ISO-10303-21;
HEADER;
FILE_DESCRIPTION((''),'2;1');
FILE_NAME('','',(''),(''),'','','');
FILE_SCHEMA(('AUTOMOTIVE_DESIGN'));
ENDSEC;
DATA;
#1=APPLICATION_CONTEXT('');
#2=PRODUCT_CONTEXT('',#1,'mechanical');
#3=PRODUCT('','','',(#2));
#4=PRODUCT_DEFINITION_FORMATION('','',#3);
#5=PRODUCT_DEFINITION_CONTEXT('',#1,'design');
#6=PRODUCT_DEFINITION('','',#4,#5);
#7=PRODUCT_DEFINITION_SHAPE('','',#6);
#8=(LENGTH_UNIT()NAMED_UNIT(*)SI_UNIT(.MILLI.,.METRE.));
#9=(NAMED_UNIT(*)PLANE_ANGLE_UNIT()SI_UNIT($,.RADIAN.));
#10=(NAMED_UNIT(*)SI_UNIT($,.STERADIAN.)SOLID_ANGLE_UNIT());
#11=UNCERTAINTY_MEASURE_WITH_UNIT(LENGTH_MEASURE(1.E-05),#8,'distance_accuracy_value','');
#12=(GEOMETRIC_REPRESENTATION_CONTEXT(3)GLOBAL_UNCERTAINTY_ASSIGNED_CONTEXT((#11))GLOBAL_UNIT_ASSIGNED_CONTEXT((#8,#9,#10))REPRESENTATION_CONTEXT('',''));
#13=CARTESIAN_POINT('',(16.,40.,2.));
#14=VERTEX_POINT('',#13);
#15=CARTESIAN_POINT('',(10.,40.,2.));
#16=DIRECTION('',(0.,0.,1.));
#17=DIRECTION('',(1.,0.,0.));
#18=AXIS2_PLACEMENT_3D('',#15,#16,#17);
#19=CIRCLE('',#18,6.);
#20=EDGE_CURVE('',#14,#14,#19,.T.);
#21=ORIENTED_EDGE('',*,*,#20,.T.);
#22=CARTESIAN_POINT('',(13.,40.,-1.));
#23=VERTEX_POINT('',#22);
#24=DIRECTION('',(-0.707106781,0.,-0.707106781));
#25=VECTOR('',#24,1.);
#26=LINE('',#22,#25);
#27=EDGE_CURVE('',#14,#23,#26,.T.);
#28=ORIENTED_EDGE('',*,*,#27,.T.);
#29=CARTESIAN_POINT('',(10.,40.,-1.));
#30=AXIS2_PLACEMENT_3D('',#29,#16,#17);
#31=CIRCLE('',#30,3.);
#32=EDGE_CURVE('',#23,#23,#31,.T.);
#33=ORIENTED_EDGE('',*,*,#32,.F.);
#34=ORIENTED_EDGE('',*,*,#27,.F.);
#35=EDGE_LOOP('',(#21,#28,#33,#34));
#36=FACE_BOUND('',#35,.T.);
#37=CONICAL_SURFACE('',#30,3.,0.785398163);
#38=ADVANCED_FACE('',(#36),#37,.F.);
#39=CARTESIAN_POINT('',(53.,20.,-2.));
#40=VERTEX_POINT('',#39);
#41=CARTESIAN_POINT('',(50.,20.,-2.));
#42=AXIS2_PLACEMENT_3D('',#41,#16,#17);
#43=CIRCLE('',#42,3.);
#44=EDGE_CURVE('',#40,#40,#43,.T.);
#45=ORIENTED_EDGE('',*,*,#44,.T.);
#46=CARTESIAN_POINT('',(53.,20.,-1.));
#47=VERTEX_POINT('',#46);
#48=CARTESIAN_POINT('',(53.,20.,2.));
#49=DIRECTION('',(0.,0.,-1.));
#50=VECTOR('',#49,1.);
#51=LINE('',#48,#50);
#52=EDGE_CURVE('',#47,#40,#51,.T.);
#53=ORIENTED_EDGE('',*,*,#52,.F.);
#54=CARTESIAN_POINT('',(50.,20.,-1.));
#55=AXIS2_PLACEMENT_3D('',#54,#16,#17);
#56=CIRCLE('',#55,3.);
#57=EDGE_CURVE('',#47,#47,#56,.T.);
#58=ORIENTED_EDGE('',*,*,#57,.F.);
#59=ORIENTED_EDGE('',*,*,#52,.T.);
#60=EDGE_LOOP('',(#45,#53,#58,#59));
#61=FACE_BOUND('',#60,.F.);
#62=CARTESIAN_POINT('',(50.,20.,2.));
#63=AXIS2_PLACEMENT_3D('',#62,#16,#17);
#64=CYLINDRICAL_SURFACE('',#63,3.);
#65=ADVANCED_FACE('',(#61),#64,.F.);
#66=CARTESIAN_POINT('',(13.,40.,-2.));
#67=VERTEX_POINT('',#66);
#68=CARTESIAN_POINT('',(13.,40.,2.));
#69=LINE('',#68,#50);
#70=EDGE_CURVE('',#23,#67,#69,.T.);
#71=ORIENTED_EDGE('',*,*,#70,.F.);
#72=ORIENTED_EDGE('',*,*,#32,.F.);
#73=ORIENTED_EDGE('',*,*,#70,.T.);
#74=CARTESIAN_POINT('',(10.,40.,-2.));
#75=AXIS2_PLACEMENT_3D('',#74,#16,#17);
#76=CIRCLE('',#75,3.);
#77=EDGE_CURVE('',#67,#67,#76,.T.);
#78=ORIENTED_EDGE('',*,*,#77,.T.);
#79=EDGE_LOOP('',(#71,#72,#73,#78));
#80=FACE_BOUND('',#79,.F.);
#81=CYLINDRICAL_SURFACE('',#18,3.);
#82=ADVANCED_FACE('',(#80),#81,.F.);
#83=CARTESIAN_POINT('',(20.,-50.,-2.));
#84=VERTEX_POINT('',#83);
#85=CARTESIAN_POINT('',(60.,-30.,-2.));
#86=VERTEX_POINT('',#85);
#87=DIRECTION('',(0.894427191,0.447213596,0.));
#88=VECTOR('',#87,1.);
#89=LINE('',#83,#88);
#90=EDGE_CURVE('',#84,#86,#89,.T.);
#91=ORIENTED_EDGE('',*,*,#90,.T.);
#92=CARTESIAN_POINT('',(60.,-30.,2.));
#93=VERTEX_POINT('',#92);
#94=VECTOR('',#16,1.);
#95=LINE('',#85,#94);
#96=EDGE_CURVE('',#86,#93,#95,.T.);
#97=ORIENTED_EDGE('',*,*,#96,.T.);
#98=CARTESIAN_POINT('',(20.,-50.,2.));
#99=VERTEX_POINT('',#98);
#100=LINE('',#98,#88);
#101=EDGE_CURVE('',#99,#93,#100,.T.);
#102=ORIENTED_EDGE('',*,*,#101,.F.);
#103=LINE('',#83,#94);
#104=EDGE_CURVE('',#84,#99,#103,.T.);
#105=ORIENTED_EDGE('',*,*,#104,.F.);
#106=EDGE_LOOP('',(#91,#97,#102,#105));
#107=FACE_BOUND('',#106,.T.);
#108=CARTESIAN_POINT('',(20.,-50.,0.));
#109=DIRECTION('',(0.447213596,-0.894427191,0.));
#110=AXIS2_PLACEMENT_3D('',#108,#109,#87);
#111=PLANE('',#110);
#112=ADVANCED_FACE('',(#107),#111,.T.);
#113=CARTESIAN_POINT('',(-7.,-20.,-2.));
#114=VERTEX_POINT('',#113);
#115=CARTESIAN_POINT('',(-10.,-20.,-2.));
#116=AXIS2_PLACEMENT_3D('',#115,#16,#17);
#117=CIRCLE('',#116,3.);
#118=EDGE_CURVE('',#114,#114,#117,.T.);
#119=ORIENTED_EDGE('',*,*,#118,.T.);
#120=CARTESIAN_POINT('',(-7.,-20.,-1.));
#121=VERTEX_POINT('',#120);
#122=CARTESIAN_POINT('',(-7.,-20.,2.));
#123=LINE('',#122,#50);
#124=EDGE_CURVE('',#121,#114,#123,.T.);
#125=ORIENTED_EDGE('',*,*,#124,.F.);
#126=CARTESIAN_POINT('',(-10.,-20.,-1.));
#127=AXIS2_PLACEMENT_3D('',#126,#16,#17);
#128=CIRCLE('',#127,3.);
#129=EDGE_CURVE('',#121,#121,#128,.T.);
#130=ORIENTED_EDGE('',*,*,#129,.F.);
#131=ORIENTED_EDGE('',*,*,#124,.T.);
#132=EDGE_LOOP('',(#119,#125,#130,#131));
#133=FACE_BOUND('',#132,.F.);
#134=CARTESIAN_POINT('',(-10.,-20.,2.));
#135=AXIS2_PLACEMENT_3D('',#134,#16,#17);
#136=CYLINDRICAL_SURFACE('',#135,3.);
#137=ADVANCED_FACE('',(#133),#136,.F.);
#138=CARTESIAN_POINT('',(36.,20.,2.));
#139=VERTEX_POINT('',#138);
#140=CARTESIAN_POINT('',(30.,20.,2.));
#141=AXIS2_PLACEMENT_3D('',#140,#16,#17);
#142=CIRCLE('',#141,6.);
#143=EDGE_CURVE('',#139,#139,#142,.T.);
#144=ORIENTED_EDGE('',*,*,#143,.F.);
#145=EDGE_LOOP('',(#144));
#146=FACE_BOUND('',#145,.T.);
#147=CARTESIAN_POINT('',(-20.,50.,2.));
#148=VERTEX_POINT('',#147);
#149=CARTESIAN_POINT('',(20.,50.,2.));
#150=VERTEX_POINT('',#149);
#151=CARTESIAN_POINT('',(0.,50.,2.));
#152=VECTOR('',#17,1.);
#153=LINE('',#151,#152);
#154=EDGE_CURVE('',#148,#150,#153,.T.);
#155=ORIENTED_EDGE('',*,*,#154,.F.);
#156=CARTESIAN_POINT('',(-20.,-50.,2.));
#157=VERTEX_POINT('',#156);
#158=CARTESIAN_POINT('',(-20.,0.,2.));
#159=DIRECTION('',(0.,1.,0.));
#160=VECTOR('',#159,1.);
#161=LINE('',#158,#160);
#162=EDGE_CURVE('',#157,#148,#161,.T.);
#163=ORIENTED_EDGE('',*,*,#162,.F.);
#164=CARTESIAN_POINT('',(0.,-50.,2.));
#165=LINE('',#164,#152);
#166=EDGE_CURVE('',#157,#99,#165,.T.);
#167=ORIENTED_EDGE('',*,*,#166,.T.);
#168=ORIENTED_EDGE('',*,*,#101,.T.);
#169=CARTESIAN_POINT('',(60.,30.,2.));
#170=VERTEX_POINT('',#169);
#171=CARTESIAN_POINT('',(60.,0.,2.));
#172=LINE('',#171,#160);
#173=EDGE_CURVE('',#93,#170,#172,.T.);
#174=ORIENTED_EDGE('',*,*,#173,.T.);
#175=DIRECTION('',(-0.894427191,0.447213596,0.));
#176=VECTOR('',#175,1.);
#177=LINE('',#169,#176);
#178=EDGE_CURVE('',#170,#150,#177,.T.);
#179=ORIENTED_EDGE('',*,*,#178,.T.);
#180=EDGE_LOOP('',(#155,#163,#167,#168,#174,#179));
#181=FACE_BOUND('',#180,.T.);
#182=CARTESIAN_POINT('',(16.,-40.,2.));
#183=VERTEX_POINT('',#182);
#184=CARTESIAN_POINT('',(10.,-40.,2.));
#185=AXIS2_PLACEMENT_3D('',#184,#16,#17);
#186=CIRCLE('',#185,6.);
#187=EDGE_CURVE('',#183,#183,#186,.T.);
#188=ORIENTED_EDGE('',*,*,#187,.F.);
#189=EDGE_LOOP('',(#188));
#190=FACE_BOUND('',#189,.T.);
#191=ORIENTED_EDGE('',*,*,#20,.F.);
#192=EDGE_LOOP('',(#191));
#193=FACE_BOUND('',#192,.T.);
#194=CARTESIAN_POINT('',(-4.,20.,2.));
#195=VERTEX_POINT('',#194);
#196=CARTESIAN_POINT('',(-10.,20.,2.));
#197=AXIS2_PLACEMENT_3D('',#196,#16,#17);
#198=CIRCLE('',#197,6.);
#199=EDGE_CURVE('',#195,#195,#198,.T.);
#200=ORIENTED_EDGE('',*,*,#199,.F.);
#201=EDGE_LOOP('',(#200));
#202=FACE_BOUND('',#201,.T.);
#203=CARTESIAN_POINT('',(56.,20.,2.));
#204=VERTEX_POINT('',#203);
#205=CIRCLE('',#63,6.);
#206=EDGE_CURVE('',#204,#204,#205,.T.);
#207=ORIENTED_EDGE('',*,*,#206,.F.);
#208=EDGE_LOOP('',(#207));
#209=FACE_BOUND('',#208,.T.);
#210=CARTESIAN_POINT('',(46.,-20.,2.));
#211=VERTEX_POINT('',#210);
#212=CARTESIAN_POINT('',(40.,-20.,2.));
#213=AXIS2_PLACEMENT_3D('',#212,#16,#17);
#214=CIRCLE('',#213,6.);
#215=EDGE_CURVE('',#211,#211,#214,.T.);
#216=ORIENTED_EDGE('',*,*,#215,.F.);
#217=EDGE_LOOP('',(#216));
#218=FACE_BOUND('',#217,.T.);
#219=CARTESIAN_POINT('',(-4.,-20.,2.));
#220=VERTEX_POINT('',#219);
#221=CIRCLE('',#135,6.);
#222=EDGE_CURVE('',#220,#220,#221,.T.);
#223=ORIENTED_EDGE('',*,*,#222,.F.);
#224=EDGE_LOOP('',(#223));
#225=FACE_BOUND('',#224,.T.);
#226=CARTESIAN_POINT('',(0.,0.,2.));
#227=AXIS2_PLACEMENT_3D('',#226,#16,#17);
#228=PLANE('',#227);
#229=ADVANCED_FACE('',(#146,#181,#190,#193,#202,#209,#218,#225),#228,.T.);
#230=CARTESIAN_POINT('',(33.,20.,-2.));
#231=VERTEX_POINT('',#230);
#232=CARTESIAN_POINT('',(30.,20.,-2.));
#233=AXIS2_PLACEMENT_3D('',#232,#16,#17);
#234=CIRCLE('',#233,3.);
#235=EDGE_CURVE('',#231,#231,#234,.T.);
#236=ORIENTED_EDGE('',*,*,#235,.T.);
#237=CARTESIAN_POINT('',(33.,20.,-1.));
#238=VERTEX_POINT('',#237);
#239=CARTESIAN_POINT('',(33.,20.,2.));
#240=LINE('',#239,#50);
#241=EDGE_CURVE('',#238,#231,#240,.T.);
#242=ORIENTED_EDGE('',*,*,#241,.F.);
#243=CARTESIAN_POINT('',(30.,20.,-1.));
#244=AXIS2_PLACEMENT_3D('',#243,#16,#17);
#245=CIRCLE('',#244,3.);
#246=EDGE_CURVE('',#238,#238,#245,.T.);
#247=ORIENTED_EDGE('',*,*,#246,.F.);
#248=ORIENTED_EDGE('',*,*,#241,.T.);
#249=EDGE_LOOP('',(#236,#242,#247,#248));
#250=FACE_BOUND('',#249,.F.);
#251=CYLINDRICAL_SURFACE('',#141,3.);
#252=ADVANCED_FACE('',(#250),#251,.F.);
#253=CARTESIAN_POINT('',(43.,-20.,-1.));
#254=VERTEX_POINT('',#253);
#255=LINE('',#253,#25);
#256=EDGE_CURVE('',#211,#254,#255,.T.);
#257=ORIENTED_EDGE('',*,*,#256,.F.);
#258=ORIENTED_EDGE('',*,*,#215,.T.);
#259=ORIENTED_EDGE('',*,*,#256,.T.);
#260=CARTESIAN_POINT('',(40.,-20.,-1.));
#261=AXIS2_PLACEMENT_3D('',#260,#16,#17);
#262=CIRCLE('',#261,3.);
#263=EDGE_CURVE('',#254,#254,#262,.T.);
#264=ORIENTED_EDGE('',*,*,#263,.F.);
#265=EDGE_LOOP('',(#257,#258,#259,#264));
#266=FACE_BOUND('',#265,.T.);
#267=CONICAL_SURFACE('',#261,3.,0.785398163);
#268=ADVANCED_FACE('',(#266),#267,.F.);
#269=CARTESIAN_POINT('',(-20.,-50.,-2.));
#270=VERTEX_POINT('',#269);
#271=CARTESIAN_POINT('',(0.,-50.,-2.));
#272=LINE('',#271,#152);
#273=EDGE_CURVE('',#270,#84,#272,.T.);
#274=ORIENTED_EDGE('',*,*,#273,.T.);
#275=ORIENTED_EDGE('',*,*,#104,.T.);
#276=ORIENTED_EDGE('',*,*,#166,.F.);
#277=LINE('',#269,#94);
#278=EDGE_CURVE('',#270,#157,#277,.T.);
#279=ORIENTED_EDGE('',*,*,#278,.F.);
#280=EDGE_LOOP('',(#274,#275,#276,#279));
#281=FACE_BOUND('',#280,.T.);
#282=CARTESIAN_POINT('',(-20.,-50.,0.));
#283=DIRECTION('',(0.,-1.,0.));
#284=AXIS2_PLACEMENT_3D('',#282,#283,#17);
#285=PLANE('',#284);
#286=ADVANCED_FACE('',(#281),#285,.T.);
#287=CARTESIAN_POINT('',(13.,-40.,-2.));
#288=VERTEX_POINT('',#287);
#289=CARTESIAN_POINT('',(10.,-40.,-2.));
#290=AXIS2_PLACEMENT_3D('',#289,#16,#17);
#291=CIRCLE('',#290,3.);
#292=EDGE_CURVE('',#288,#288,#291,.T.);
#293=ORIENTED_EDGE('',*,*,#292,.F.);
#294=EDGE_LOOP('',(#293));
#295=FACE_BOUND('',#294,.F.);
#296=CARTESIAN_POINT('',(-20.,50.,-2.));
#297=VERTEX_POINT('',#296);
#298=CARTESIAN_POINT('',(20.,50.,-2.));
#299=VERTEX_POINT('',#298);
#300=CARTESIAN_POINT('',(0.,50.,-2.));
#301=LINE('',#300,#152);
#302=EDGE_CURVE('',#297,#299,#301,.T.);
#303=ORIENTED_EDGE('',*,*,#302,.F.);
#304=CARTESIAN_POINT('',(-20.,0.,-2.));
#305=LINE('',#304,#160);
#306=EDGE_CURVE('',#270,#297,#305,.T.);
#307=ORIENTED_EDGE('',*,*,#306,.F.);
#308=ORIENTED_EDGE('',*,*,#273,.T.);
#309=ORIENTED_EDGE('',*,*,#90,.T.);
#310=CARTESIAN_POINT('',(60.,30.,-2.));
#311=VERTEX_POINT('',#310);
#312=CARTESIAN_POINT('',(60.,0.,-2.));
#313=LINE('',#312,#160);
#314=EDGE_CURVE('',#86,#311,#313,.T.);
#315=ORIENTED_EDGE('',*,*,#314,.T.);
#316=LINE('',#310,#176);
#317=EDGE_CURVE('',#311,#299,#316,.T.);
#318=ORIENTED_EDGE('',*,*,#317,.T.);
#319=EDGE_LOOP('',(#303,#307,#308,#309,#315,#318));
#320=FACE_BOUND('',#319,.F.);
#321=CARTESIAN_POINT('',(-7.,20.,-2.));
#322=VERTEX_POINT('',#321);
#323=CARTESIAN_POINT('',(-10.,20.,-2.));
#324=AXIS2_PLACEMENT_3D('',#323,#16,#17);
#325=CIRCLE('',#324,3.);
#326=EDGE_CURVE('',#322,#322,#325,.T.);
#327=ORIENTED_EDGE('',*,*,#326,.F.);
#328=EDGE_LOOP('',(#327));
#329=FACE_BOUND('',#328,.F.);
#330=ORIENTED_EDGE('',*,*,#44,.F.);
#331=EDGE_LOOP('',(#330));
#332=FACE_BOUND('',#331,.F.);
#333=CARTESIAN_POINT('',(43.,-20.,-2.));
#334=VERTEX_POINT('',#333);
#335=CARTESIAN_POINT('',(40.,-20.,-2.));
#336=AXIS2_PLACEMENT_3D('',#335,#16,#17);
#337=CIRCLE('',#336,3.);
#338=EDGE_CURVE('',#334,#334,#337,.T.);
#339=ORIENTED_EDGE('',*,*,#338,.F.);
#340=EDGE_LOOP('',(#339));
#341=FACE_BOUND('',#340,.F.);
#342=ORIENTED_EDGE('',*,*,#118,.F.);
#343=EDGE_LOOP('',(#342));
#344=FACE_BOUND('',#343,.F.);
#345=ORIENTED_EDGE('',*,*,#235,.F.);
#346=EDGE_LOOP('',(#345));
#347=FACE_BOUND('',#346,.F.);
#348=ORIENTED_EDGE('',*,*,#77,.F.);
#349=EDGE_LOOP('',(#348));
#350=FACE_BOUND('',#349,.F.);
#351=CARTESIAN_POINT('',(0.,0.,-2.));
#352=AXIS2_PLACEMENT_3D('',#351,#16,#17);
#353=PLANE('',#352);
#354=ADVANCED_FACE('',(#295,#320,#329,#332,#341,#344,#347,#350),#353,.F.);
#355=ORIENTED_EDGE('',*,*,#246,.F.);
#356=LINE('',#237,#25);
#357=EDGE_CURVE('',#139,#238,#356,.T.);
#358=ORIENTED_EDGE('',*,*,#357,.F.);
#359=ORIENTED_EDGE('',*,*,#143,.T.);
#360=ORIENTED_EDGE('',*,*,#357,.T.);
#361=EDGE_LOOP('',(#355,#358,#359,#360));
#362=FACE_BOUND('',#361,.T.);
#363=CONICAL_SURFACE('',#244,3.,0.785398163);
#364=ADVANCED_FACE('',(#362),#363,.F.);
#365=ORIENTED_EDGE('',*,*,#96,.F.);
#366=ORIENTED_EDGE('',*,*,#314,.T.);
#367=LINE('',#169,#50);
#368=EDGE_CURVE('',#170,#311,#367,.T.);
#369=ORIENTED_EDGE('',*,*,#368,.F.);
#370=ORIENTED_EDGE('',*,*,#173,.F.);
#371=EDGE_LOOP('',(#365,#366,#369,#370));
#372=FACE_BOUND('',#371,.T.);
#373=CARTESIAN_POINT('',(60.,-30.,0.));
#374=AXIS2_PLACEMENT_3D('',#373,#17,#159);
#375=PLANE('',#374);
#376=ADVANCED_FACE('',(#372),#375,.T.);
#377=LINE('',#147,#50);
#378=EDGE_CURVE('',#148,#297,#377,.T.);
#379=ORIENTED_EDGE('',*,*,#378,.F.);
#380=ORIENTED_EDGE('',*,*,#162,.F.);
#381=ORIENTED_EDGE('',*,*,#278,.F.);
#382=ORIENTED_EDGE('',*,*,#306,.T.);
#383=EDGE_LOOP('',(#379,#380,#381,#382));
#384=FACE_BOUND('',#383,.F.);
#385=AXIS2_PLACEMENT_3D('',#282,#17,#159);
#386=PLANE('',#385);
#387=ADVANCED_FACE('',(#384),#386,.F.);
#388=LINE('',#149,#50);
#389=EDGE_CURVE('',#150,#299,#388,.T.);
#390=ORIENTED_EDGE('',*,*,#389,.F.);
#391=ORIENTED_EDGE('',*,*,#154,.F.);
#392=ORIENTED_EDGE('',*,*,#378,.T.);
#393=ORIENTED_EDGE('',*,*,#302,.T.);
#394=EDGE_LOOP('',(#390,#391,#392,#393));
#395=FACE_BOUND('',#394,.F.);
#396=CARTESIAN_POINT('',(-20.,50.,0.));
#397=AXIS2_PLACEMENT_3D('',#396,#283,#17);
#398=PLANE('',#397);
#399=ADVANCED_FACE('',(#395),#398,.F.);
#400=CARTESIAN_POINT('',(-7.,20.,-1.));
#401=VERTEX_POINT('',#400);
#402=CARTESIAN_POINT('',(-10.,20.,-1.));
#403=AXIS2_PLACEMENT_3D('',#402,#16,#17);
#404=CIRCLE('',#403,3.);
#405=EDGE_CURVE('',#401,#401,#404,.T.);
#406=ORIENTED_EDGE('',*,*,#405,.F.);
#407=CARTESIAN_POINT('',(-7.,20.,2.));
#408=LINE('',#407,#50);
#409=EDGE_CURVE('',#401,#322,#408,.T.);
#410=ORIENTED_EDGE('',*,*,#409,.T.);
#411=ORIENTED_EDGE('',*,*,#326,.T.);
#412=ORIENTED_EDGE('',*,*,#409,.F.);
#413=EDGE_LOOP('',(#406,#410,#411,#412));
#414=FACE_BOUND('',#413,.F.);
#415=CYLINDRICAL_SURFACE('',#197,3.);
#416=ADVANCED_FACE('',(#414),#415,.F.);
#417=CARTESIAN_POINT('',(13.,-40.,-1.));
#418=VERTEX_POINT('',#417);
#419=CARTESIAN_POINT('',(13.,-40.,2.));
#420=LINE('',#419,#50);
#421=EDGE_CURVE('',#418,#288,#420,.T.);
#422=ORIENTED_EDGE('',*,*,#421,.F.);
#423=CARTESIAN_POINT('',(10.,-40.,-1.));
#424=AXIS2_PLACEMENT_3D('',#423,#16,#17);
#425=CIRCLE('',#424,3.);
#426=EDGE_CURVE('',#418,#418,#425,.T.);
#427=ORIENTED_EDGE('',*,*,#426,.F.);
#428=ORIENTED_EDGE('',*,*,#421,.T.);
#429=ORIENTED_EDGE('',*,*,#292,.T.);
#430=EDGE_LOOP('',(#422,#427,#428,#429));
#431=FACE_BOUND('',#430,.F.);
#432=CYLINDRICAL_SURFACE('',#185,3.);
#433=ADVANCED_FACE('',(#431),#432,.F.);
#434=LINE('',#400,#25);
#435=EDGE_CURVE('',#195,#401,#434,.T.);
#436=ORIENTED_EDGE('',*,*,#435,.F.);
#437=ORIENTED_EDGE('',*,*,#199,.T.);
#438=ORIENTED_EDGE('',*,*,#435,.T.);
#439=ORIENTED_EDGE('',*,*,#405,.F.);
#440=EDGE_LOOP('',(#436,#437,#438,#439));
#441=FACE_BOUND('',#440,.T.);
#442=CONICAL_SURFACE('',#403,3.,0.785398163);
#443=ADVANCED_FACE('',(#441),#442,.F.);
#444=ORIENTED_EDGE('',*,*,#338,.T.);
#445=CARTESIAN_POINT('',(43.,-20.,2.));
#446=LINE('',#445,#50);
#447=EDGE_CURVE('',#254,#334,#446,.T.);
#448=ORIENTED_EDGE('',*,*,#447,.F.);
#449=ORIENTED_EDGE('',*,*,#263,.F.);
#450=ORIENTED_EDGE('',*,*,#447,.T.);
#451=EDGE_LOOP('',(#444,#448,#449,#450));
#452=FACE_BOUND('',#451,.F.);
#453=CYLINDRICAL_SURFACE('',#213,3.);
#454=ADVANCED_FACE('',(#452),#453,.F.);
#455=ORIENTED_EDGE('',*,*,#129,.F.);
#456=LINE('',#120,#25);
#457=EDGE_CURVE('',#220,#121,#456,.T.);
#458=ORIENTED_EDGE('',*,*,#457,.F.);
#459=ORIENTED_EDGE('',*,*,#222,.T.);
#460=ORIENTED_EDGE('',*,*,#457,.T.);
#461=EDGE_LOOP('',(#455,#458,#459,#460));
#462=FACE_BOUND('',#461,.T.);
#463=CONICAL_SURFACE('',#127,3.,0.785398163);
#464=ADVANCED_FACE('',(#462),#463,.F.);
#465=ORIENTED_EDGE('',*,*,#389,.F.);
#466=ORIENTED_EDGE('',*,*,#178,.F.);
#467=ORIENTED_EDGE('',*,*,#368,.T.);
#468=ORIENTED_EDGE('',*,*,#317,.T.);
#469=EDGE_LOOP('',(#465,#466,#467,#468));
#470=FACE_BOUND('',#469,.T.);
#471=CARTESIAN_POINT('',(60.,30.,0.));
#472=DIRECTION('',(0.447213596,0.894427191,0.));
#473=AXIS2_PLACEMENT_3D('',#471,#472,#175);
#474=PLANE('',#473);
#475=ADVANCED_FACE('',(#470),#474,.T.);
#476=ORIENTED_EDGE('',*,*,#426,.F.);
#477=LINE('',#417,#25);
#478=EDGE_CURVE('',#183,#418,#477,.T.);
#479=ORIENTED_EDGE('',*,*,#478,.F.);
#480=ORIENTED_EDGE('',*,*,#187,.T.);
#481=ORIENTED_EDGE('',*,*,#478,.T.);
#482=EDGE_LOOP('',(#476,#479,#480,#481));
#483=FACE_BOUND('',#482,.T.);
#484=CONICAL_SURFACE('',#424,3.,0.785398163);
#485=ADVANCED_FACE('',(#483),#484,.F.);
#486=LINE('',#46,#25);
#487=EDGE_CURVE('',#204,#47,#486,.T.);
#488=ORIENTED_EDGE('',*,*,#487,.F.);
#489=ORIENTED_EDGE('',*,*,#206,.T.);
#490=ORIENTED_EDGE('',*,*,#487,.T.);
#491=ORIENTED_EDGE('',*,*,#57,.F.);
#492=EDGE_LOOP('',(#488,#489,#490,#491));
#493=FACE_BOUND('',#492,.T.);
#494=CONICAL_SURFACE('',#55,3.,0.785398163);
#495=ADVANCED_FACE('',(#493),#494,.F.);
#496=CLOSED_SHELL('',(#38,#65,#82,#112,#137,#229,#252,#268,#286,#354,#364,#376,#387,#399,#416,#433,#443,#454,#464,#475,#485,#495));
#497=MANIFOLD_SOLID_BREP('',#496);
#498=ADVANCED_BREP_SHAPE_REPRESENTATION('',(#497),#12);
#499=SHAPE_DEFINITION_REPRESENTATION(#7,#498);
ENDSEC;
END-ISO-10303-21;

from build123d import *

# Parameters (mm, degrees)
SKETCH1_W           = 40
SKETCH1_H           = 100
SKETCH1_H_2         = 60
BOSS_EXTRUDE1_DEPTH = 2
SKETCH2_R           = 3
CUT_EXTRUDE1_DEPTH  = 5
CHAMFER1_SIZE       = 3


with BuildPart() as part:
    # Sketch1 → Boss-Extrude1 (new body, symmetric)
    with BuildSketch(Plane.XY):
        Rectangle(SKETCH1_W, SKETCH1_H)
        Polygon((60, 30), (20, 50), (20, 30), align=None)
        with Locations((40, 0)):
            Rectangle(SKETCH1_W, SKETCH1_H_2)
        Polygon((20, -50), (60, -30), (20, -30), align=None)
    extrude(amount=BOSS_EXTRUDE1_DEPTH, both=True)

    # Sketch2 → Cut-Extrude1 (cut, through all)
    with BuildSketch(Plane.XY.offset(2)):
        with Locations((-10, 20)):
            Circle(SKETCH2_R)
        with Locations((-10, -20)):
            Circle(SKETCH2_R)
        with Locations((10, -40)):
            Circle(SKETCH2_R)
        with Locations((40, -20)):
            Circle(SKETCH2_R)
        with Locations((30, 20)):
            Circle(SKETCH2_R)
        with Locations((50, 20)):
            Circle(SKETCH2_R)
        with Locations((10, 40)):
            Circle(SKETCH2_R)
    extrude(amount=-CUT_EXTRUDE1_DEPTH, mode=Mode.SUBTRACT)

    # Chamfer1
    chamfer1_edges = [part.edges().sort_by_distance(p)[0] for p in [
        (37, -20, 2),
        (7, -40, 2),
        (-13, -20, 2),
        (7, 40, 2),
        (27, 20, 2),
        (47, 20, 2),
        (-13, 20, 2),
    ]]
    chamfer(chamfer1_edges, length=CHAMFER1_SIZE)


solid = part.part
